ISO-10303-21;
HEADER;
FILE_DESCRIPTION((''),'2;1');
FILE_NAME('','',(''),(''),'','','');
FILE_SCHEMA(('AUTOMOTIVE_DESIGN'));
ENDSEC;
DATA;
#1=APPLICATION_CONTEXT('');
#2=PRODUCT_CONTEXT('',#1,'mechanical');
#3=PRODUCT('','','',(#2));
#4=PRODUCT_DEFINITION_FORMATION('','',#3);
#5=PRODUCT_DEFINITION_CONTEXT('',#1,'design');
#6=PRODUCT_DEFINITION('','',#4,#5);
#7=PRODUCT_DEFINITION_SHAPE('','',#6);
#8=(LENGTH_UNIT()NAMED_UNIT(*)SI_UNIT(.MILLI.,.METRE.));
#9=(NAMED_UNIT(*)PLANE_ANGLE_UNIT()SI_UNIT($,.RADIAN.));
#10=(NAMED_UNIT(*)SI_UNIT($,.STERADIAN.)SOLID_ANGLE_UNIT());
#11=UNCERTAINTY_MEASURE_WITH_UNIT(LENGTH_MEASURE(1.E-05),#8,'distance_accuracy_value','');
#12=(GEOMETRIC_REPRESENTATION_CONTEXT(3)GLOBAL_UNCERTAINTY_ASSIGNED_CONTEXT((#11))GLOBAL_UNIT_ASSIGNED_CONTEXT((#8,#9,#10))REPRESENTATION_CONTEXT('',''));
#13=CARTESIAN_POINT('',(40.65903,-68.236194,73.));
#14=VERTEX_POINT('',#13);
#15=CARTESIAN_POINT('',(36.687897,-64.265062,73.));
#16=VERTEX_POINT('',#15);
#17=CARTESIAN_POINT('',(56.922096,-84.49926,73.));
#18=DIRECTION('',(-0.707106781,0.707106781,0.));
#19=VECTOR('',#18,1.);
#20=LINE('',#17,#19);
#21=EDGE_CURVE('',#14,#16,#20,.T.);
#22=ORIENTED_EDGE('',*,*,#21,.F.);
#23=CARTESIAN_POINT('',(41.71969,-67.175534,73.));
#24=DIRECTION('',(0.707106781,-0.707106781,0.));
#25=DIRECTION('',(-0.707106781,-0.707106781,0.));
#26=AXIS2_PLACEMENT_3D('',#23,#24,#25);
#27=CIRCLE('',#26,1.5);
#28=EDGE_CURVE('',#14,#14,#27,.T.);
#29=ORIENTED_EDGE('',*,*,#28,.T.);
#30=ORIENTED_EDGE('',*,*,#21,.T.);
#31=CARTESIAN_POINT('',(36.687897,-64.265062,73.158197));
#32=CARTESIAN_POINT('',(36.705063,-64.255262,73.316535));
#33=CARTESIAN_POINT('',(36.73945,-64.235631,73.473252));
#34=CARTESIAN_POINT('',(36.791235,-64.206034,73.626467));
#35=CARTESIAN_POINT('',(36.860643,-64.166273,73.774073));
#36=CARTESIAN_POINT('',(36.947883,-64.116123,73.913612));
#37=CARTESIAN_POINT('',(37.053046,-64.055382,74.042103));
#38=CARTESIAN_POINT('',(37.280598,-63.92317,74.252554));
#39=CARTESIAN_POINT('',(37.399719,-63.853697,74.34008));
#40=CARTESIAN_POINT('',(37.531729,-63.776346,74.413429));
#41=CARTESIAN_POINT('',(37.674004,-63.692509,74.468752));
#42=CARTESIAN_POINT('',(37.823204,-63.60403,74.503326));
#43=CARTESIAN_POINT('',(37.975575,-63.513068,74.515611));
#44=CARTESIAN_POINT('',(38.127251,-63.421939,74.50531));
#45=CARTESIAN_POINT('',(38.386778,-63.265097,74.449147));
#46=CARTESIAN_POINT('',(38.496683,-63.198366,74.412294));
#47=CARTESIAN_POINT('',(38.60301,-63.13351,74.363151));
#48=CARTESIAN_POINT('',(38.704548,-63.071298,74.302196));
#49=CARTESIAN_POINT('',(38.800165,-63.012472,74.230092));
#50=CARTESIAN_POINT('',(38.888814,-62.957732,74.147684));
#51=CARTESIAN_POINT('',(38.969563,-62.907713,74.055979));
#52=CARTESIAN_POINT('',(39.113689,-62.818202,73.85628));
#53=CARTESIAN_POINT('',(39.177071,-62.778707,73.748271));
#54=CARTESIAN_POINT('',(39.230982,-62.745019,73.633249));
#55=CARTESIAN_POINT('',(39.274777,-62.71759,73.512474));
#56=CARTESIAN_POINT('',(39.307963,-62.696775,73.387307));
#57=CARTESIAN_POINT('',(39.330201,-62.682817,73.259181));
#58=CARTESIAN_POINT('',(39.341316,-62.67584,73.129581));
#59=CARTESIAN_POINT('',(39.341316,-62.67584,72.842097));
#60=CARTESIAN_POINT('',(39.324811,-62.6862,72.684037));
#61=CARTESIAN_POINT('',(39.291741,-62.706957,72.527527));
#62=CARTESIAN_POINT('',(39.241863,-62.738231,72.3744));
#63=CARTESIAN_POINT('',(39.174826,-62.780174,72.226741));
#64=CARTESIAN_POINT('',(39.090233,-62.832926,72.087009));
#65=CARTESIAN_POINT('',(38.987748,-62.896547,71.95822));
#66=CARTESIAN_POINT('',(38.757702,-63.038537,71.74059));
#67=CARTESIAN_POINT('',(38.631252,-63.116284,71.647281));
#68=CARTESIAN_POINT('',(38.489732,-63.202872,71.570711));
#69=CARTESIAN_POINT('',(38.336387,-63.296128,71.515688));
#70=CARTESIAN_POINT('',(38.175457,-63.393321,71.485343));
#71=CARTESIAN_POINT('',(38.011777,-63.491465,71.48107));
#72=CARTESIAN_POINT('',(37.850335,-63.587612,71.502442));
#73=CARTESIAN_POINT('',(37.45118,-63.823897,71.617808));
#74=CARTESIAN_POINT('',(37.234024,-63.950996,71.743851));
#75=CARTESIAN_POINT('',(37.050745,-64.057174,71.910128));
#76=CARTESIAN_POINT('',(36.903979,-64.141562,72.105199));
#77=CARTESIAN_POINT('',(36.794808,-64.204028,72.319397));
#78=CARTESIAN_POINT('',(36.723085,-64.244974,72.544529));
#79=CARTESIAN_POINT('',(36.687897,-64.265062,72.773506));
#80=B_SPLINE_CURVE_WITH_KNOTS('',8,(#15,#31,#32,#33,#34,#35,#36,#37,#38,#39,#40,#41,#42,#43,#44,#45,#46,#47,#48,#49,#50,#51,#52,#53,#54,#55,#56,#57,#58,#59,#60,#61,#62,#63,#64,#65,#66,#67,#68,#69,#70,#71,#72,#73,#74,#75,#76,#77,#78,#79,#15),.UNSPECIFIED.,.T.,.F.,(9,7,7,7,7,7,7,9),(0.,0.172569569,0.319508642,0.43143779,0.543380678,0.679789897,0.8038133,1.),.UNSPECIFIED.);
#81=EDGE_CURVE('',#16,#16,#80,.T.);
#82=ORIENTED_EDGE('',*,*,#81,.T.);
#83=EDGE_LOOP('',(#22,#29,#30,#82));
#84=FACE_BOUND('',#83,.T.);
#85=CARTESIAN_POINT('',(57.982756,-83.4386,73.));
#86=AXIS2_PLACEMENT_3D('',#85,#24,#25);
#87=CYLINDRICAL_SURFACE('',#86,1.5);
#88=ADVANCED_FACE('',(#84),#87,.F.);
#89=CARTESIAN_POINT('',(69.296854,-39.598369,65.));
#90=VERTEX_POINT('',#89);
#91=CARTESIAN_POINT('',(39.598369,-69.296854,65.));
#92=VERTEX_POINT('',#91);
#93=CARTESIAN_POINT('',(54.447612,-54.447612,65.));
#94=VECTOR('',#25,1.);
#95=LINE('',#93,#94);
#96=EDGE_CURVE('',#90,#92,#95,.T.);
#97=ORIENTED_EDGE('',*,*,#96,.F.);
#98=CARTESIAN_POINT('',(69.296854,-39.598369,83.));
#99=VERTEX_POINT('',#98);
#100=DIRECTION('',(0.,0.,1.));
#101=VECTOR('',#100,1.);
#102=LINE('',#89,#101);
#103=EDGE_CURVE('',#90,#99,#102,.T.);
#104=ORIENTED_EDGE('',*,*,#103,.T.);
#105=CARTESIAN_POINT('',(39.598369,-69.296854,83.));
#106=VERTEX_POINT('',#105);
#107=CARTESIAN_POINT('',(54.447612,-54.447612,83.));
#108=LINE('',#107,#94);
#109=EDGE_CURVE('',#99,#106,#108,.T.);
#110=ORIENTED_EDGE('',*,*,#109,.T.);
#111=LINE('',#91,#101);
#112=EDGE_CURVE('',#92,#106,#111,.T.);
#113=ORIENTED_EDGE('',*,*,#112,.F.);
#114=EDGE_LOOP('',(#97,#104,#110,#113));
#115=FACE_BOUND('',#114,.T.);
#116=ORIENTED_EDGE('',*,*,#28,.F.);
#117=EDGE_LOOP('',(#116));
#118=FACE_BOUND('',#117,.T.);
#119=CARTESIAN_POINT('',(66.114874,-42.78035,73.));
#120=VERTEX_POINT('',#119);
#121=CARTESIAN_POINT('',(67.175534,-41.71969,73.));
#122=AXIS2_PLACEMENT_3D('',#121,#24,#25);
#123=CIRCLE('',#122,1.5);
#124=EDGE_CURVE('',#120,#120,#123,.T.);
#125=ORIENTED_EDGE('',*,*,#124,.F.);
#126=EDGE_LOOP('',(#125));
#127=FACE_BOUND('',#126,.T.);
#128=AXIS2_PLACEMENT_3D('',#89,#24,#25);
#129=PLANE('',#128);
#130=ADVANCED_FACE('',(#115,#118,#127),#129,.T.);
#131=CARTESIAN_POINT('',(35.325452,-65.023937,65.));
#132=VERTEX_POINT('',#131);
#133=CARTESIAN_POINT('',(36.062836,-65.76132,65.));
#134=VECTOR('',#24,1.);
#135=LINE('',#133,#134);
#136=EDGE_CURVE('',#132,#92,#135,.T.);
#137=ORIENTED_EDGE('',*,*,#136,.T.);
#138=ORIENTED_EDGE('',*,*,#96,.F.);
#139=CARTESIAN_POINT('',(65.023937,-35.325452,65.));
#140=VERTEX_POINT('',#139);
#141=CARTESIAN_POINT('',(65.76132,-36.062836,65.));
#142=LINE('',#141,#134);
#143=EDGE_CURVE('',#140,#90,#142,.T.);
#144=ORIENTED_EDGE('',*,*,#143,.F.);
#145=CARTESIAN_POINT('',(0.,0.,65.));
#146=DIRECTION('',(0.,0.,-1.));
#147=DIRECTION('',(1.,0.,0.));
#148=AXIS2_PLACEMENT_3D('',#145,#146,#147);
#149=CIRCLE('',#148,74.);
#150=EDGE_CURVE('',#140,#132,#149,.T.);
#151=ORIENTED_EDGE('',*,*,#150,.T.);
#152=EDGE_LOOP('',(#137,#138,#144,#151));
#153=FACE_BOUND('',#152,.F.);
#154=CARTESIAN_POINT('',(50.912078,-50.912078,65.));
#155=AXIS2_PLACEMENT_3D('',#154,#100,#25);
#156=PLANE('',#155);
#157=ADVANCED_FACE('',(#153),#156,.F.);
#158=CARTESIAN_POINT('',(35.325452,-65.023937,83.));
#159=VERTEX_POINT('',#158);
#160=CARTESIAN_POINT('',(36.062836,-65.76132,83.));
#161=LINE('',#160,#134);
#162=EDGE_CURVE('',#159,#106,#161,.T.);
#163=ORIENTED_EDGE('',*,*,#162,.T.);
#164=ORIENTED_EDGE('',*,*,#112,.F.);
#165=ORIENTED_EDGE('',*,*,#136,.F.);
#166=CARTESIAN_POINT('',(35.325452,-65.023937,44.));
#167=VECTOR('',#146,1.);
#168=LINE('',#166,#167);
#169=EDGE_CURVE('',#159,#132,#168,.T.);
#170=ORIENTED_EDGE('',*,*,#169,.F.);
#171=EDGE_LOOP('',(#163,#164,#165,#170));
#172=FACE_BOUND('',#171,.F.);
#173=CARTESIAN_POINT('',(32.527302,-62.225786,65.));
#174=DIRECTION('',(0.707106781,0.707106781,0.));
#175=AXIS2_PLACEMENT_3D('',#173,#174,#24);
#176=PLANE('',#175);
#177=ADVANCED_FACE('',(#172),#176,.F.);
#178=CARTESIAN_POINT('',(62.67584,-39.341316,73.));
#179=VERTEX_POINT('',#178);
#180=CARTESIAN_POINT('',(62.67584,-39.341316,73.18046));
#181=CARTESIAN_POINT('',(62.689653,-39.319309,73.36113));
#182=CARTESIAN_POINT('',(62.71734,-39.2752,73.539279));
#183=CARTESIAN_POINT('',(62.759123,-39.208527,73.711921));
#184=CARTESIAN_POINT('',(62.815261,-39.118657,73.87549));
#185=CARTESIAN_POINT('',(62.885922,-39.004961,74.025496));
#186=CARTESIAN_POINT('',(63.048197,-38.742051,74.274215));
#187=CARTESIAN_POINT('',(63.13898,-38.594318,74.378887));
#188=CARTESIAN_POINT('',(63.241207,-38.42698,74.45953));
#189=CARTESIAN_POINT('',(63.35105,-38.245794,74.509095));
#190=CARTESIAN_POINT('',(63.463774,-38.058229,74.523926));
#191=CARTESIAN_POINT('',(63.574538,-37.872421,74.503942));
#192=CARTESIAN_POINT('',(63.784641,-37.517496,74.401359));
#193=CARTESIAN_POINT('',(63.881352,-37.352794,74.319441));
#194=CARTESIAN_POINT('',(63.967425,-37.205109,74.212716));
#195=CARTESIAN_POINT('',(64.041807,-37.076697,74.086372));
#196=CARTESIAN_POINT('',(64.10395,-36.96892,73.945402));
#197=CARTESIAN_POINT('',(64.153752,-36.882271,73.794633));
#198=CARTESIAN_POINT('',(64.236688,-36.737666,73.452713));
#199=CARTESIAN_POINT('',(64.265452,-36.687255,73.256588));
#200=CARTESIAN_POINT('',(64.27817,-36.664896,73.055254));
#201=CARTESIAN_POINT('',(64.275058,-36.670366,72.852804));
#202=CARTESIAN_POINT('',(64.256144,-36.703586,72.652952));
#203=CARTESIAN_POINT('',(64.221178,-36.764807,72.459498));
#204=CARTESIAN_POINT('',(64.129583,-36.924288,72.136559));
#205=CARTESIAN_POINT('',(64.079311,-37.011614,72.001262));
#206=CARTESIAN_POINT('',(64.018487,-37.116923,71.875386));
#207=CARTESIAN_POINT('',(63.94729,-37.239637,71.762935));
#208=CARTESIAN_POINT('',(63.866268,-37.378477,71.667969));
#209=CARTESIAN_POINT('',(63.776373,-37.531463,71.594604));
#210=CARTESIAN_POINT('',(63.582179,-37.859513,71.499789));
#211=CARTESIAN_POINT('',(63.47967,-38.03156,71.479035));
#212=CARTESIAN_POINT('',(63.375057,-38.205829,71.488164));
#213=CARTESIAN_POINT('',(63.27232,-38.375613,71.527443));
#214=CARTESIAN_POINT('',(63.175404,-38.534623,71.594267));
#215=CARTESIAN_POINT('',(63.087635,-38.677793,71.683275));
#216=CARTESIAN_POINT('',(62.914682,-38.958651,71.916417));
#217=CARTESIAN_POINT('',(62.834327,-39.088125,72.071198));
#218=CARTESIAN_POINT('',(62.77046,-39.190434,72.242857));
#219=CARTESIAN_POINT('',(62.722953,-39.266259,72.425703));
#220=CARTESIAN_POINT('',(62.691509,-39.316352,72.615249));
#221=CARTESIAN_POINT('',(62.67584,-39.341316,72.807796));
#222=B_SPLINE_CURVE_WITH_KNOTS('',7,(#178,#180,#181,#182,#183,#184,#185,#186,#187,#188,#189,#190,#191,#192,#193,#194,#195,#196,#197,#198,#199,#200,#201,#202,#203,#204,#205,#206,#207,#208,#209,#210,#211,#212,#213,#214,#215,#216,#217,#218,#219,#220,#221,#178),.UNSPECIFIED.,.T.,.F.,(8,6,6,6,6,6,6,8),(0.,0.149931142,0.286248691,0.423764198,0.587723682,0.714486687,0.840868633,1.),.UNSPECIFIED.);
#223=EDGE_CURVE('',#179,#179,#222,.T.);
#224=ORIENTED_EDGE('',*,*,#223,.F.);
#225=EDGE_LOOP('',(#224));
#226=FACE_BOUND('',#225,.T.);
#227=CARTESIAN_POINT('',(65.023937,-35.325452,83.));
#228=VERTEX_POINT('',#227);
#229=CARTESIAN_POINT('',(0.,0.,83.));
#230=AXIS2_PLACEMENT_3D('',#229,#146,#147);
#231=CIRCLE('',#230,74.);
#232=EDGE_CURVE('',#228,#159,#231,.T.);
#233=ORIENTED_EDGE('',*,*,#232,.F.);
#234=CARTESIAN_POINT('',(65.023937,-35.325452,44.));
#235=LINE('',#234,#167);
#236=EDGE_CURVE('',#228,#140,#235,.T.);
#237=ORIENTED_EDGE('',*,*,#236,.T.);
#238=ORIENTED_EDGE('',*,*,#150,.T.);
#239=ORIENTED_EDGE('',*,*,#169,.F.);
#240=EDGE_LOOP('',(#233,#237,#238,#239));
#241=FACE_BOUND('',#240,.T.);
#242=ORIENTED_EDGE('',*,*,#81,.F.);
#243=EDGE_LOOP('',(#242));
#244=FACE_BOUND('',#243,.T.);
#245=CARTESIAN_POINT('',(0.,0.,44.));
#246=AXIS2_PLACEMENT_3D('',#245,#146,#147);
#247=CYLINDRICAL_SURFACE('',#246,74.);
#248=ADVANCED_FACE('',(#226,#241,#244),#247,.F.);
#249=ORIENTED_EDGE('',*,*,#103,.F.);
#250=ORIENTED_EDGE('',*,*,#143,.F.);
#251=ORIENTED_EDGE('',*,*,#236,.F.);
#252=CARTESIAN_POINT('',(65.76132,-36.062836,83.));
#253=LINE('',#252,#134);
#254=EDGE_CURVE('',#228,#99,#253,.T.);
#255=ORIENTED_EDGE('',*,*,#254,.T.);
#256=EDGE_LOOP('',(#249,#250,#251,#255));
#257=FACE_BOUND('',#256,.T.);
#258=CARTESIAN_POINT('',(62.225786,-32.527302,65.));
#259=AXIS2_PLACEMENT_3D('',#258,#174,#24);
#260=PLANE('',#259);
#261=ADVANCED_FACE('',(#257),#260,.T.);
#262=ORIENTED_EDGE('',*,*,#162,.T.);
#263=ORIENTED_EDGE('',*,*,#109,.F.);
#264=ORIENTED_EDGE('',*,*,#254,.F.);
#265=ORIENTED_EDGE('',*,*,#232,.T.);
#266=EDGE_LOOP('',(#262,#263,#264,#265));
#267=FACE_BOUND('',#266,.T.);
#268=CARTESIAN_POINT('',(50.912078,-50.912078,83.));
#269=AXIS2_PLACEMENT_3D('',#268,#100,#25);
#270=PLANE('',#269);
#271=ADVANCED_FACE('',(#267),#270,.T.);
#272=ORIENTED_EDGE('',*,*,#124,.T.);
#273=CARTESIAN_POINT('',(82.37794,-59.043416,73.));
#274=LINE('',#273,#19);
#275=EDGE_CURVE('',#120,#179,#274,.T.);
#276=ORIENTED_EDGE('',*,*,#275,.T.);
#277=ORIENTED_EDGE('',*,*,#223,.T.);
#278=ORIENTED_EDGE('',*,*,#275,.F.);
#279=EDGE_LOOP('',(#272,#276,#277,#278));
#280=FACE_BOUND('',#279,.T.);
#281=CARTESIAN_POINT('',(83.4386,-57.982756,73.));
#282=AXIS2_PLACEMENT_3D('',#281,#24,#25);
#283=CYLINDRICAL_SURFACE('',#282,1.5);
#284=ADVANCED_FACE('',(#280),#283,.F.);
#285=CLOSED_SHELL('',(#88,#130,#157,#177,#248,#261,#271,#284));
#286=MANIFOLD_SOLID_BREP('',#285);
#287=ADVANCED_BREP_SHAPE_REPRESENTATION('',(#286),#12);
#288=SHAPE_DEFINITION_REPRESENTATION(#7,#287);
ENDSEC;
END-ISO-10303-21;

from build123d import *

# Parameters (mm, degrees)
CYLINDER1768_R              = 1.5
CYLINDER1768_DEPTH          = 60
CYLINDER1765_R              = 1.5
CYLINDER1765_DEPTH          = 60
CYLINDER1766_R              = 1.5
CYLINDER1766_DEPTH          = 60
CYLINDER1767_R              = 1.5
CYLINDER1767_DEPTH          = 60
COMPOUND900_PLACEMENT_ANGLE = 225
CYLINDER1771_R              = 1.5
CYLINDER1771_DEPTH          = 50
COMPOUND903_PLACEMENT_ANGLE = 225
CYLINDER1770_R              = 1.5
CYLINDER1770_DEPTH          = 50
COMPOUND904_PLACEMENT_ANGLE = 225
CYLINDER1769_R              = 74
CYLINDER1769_DEPTH          = 40
BOX718_W                    = 42
BOX718_H                    = 10
BOX718_DEPTH                = 18
COMPOUND901_PLACEMENT_ANGLE = 225


with BuildPart() as v_lec1768:
    # Cylinder1768 → Cylinder1768 (new body)
    with BuildSketch(Plane(origin=(-24, 73, -80), x_dir=(1, 0, 0), z_dir=(0, 0, 1))):
        Circle(CYLINDER1768_R)
    extrude(amount=CYLINDER1768_DEPTH)


with BuildPart() as v_lec1765:
    # Cylinder1765 → Cylinder1765 (new body)
    with BuildSketch(Plane(origin=(-15, 135, -80), x_dir=(1, 0, 0), z_dir=(0, 0, 1))):
        Circle(CYLINDER1765_R)
    extrude(amount=CYLINDER1765_DEPTH)


with BuildPart() as v_lec1766:
    # Cylinder1766 → Cylinder1766 (new body)
    with BuildSketch(Plane(origin=(15, 135, -80), x_dir=(1, 0, 0), z_dir=(0, 0, 1))):
        Circle(CYLINDER1766_R)
    extrude(amount=CYLINDER1766_DEPTH)


with BuildPart() as compound900:
    # Cylinder1767 → Cylinder1767 (new body)
    with BuildSketch(Plane(origin=(24, 73, -80), x_dir=(1, 0, 0), z_dir=(0, 0, 1))):
        Circle(CYLINDER1767_R)
    extrude(amount=CYLINDER1767_DEPTH)

    # Compound900: union Válec1768, Válec1765, Válec1766
    add(v_lec1768.part)
    add(v_lec1765.part)
    add(v_lec1766.part)


with BuildPart() as compound900_1:
    # Compound900 placement: moved
    add(compound900.part.moved(Location((0, 0, 100))).rotate(Axis((0, 0, 100), (0, 0, 1)), COMPOUND900_PLACEMENT_ANGLE))


with BuildPart() as compound903:
    # Cylinder1771 → Cylinder1771 (new body)
    with BuildSketch(Plane(origin=(18, 100, 72), x_dir=(1, 0, 0), z_dir=(0, -1, 0))):
        Circle(CYLINDER1771_R)
    extrude(amount=CYLINDER1771_DEPTH)


with BuildPart() as compound903_1:
    # Compound903 placement: moved
    add(compound903.part.rotate(Axis((0, 0, 0), (0, 0, 1)), COMPOUND903_PLACEMENT_ANGLE))


with BuildPart() as compound902:
    # Cylinder1770 → Cylinder1770 (new body)
    with BuildSketch(Plane(origin=(-18, 100, 72), x_dir=(1, 0, 0), z_dir=(0, -1, 0))):
        Circle(CYLINDER1770_R)
    extrude(amount=CYLINDER1770_DEPTH)


with BuildPart() as compound902_1:
    # Compound904 placement: moved
    add(compound902.part.rotate(Axis((0, 0, 0), (0, 0, 1)), COMPOUND904_PLACEMENT_ANGLE))

    # Compound902: union Compound903
    add(compound903_1.part)


with BuildPart() as compound902_2:
    # Compound902 placement: moved
    add(compound902_1.part.moved(Location((0, 0, 1))))


with BuildPart() as v_lec1769:
    # Cylinder1769 → Cylinder1769 (new body)
    with BuildSketch(Plane.XY.offset(44)):
        Circle(CYLINDER1769_R)
    extrude(amount=CYLINDER1769_DEPTH)


with BuildPart() as cut527:
    # Box718 → Box718 (new body)
    with BuildSketch(Plane(origin=(-21, -23, 22), x_dir=(1, 0, 0), z_dir=(0, 0, 1))):
        with Locations((21, 5)):
            Rectangle(BOX718_W, BOX718_H)
    extrude(amount=BOX718_DEPTH)


with BuildPart() as cut527_1:
    # Compound901 placement: moved
    add(cut527.part.moved(Location((63.64, -63.64, 43))).rotate(Axis((63.64, -63.64, 43), (0, 0, 1)), COMPOUND901_PLACEMENT_ANGLE))

    # Cut525: cut Válec1769
    add(v_lec1769.part, mode=Mode.SUBTRACT)

    # Cut526: cut Compound902
    add(compound902_2.part, mode=Mode.SUBTRACT)

    # Cut527: cut Compound900
    add(compound900_1.part, mode=Mode.SUBTRACT)


solid = cut527_1.part
